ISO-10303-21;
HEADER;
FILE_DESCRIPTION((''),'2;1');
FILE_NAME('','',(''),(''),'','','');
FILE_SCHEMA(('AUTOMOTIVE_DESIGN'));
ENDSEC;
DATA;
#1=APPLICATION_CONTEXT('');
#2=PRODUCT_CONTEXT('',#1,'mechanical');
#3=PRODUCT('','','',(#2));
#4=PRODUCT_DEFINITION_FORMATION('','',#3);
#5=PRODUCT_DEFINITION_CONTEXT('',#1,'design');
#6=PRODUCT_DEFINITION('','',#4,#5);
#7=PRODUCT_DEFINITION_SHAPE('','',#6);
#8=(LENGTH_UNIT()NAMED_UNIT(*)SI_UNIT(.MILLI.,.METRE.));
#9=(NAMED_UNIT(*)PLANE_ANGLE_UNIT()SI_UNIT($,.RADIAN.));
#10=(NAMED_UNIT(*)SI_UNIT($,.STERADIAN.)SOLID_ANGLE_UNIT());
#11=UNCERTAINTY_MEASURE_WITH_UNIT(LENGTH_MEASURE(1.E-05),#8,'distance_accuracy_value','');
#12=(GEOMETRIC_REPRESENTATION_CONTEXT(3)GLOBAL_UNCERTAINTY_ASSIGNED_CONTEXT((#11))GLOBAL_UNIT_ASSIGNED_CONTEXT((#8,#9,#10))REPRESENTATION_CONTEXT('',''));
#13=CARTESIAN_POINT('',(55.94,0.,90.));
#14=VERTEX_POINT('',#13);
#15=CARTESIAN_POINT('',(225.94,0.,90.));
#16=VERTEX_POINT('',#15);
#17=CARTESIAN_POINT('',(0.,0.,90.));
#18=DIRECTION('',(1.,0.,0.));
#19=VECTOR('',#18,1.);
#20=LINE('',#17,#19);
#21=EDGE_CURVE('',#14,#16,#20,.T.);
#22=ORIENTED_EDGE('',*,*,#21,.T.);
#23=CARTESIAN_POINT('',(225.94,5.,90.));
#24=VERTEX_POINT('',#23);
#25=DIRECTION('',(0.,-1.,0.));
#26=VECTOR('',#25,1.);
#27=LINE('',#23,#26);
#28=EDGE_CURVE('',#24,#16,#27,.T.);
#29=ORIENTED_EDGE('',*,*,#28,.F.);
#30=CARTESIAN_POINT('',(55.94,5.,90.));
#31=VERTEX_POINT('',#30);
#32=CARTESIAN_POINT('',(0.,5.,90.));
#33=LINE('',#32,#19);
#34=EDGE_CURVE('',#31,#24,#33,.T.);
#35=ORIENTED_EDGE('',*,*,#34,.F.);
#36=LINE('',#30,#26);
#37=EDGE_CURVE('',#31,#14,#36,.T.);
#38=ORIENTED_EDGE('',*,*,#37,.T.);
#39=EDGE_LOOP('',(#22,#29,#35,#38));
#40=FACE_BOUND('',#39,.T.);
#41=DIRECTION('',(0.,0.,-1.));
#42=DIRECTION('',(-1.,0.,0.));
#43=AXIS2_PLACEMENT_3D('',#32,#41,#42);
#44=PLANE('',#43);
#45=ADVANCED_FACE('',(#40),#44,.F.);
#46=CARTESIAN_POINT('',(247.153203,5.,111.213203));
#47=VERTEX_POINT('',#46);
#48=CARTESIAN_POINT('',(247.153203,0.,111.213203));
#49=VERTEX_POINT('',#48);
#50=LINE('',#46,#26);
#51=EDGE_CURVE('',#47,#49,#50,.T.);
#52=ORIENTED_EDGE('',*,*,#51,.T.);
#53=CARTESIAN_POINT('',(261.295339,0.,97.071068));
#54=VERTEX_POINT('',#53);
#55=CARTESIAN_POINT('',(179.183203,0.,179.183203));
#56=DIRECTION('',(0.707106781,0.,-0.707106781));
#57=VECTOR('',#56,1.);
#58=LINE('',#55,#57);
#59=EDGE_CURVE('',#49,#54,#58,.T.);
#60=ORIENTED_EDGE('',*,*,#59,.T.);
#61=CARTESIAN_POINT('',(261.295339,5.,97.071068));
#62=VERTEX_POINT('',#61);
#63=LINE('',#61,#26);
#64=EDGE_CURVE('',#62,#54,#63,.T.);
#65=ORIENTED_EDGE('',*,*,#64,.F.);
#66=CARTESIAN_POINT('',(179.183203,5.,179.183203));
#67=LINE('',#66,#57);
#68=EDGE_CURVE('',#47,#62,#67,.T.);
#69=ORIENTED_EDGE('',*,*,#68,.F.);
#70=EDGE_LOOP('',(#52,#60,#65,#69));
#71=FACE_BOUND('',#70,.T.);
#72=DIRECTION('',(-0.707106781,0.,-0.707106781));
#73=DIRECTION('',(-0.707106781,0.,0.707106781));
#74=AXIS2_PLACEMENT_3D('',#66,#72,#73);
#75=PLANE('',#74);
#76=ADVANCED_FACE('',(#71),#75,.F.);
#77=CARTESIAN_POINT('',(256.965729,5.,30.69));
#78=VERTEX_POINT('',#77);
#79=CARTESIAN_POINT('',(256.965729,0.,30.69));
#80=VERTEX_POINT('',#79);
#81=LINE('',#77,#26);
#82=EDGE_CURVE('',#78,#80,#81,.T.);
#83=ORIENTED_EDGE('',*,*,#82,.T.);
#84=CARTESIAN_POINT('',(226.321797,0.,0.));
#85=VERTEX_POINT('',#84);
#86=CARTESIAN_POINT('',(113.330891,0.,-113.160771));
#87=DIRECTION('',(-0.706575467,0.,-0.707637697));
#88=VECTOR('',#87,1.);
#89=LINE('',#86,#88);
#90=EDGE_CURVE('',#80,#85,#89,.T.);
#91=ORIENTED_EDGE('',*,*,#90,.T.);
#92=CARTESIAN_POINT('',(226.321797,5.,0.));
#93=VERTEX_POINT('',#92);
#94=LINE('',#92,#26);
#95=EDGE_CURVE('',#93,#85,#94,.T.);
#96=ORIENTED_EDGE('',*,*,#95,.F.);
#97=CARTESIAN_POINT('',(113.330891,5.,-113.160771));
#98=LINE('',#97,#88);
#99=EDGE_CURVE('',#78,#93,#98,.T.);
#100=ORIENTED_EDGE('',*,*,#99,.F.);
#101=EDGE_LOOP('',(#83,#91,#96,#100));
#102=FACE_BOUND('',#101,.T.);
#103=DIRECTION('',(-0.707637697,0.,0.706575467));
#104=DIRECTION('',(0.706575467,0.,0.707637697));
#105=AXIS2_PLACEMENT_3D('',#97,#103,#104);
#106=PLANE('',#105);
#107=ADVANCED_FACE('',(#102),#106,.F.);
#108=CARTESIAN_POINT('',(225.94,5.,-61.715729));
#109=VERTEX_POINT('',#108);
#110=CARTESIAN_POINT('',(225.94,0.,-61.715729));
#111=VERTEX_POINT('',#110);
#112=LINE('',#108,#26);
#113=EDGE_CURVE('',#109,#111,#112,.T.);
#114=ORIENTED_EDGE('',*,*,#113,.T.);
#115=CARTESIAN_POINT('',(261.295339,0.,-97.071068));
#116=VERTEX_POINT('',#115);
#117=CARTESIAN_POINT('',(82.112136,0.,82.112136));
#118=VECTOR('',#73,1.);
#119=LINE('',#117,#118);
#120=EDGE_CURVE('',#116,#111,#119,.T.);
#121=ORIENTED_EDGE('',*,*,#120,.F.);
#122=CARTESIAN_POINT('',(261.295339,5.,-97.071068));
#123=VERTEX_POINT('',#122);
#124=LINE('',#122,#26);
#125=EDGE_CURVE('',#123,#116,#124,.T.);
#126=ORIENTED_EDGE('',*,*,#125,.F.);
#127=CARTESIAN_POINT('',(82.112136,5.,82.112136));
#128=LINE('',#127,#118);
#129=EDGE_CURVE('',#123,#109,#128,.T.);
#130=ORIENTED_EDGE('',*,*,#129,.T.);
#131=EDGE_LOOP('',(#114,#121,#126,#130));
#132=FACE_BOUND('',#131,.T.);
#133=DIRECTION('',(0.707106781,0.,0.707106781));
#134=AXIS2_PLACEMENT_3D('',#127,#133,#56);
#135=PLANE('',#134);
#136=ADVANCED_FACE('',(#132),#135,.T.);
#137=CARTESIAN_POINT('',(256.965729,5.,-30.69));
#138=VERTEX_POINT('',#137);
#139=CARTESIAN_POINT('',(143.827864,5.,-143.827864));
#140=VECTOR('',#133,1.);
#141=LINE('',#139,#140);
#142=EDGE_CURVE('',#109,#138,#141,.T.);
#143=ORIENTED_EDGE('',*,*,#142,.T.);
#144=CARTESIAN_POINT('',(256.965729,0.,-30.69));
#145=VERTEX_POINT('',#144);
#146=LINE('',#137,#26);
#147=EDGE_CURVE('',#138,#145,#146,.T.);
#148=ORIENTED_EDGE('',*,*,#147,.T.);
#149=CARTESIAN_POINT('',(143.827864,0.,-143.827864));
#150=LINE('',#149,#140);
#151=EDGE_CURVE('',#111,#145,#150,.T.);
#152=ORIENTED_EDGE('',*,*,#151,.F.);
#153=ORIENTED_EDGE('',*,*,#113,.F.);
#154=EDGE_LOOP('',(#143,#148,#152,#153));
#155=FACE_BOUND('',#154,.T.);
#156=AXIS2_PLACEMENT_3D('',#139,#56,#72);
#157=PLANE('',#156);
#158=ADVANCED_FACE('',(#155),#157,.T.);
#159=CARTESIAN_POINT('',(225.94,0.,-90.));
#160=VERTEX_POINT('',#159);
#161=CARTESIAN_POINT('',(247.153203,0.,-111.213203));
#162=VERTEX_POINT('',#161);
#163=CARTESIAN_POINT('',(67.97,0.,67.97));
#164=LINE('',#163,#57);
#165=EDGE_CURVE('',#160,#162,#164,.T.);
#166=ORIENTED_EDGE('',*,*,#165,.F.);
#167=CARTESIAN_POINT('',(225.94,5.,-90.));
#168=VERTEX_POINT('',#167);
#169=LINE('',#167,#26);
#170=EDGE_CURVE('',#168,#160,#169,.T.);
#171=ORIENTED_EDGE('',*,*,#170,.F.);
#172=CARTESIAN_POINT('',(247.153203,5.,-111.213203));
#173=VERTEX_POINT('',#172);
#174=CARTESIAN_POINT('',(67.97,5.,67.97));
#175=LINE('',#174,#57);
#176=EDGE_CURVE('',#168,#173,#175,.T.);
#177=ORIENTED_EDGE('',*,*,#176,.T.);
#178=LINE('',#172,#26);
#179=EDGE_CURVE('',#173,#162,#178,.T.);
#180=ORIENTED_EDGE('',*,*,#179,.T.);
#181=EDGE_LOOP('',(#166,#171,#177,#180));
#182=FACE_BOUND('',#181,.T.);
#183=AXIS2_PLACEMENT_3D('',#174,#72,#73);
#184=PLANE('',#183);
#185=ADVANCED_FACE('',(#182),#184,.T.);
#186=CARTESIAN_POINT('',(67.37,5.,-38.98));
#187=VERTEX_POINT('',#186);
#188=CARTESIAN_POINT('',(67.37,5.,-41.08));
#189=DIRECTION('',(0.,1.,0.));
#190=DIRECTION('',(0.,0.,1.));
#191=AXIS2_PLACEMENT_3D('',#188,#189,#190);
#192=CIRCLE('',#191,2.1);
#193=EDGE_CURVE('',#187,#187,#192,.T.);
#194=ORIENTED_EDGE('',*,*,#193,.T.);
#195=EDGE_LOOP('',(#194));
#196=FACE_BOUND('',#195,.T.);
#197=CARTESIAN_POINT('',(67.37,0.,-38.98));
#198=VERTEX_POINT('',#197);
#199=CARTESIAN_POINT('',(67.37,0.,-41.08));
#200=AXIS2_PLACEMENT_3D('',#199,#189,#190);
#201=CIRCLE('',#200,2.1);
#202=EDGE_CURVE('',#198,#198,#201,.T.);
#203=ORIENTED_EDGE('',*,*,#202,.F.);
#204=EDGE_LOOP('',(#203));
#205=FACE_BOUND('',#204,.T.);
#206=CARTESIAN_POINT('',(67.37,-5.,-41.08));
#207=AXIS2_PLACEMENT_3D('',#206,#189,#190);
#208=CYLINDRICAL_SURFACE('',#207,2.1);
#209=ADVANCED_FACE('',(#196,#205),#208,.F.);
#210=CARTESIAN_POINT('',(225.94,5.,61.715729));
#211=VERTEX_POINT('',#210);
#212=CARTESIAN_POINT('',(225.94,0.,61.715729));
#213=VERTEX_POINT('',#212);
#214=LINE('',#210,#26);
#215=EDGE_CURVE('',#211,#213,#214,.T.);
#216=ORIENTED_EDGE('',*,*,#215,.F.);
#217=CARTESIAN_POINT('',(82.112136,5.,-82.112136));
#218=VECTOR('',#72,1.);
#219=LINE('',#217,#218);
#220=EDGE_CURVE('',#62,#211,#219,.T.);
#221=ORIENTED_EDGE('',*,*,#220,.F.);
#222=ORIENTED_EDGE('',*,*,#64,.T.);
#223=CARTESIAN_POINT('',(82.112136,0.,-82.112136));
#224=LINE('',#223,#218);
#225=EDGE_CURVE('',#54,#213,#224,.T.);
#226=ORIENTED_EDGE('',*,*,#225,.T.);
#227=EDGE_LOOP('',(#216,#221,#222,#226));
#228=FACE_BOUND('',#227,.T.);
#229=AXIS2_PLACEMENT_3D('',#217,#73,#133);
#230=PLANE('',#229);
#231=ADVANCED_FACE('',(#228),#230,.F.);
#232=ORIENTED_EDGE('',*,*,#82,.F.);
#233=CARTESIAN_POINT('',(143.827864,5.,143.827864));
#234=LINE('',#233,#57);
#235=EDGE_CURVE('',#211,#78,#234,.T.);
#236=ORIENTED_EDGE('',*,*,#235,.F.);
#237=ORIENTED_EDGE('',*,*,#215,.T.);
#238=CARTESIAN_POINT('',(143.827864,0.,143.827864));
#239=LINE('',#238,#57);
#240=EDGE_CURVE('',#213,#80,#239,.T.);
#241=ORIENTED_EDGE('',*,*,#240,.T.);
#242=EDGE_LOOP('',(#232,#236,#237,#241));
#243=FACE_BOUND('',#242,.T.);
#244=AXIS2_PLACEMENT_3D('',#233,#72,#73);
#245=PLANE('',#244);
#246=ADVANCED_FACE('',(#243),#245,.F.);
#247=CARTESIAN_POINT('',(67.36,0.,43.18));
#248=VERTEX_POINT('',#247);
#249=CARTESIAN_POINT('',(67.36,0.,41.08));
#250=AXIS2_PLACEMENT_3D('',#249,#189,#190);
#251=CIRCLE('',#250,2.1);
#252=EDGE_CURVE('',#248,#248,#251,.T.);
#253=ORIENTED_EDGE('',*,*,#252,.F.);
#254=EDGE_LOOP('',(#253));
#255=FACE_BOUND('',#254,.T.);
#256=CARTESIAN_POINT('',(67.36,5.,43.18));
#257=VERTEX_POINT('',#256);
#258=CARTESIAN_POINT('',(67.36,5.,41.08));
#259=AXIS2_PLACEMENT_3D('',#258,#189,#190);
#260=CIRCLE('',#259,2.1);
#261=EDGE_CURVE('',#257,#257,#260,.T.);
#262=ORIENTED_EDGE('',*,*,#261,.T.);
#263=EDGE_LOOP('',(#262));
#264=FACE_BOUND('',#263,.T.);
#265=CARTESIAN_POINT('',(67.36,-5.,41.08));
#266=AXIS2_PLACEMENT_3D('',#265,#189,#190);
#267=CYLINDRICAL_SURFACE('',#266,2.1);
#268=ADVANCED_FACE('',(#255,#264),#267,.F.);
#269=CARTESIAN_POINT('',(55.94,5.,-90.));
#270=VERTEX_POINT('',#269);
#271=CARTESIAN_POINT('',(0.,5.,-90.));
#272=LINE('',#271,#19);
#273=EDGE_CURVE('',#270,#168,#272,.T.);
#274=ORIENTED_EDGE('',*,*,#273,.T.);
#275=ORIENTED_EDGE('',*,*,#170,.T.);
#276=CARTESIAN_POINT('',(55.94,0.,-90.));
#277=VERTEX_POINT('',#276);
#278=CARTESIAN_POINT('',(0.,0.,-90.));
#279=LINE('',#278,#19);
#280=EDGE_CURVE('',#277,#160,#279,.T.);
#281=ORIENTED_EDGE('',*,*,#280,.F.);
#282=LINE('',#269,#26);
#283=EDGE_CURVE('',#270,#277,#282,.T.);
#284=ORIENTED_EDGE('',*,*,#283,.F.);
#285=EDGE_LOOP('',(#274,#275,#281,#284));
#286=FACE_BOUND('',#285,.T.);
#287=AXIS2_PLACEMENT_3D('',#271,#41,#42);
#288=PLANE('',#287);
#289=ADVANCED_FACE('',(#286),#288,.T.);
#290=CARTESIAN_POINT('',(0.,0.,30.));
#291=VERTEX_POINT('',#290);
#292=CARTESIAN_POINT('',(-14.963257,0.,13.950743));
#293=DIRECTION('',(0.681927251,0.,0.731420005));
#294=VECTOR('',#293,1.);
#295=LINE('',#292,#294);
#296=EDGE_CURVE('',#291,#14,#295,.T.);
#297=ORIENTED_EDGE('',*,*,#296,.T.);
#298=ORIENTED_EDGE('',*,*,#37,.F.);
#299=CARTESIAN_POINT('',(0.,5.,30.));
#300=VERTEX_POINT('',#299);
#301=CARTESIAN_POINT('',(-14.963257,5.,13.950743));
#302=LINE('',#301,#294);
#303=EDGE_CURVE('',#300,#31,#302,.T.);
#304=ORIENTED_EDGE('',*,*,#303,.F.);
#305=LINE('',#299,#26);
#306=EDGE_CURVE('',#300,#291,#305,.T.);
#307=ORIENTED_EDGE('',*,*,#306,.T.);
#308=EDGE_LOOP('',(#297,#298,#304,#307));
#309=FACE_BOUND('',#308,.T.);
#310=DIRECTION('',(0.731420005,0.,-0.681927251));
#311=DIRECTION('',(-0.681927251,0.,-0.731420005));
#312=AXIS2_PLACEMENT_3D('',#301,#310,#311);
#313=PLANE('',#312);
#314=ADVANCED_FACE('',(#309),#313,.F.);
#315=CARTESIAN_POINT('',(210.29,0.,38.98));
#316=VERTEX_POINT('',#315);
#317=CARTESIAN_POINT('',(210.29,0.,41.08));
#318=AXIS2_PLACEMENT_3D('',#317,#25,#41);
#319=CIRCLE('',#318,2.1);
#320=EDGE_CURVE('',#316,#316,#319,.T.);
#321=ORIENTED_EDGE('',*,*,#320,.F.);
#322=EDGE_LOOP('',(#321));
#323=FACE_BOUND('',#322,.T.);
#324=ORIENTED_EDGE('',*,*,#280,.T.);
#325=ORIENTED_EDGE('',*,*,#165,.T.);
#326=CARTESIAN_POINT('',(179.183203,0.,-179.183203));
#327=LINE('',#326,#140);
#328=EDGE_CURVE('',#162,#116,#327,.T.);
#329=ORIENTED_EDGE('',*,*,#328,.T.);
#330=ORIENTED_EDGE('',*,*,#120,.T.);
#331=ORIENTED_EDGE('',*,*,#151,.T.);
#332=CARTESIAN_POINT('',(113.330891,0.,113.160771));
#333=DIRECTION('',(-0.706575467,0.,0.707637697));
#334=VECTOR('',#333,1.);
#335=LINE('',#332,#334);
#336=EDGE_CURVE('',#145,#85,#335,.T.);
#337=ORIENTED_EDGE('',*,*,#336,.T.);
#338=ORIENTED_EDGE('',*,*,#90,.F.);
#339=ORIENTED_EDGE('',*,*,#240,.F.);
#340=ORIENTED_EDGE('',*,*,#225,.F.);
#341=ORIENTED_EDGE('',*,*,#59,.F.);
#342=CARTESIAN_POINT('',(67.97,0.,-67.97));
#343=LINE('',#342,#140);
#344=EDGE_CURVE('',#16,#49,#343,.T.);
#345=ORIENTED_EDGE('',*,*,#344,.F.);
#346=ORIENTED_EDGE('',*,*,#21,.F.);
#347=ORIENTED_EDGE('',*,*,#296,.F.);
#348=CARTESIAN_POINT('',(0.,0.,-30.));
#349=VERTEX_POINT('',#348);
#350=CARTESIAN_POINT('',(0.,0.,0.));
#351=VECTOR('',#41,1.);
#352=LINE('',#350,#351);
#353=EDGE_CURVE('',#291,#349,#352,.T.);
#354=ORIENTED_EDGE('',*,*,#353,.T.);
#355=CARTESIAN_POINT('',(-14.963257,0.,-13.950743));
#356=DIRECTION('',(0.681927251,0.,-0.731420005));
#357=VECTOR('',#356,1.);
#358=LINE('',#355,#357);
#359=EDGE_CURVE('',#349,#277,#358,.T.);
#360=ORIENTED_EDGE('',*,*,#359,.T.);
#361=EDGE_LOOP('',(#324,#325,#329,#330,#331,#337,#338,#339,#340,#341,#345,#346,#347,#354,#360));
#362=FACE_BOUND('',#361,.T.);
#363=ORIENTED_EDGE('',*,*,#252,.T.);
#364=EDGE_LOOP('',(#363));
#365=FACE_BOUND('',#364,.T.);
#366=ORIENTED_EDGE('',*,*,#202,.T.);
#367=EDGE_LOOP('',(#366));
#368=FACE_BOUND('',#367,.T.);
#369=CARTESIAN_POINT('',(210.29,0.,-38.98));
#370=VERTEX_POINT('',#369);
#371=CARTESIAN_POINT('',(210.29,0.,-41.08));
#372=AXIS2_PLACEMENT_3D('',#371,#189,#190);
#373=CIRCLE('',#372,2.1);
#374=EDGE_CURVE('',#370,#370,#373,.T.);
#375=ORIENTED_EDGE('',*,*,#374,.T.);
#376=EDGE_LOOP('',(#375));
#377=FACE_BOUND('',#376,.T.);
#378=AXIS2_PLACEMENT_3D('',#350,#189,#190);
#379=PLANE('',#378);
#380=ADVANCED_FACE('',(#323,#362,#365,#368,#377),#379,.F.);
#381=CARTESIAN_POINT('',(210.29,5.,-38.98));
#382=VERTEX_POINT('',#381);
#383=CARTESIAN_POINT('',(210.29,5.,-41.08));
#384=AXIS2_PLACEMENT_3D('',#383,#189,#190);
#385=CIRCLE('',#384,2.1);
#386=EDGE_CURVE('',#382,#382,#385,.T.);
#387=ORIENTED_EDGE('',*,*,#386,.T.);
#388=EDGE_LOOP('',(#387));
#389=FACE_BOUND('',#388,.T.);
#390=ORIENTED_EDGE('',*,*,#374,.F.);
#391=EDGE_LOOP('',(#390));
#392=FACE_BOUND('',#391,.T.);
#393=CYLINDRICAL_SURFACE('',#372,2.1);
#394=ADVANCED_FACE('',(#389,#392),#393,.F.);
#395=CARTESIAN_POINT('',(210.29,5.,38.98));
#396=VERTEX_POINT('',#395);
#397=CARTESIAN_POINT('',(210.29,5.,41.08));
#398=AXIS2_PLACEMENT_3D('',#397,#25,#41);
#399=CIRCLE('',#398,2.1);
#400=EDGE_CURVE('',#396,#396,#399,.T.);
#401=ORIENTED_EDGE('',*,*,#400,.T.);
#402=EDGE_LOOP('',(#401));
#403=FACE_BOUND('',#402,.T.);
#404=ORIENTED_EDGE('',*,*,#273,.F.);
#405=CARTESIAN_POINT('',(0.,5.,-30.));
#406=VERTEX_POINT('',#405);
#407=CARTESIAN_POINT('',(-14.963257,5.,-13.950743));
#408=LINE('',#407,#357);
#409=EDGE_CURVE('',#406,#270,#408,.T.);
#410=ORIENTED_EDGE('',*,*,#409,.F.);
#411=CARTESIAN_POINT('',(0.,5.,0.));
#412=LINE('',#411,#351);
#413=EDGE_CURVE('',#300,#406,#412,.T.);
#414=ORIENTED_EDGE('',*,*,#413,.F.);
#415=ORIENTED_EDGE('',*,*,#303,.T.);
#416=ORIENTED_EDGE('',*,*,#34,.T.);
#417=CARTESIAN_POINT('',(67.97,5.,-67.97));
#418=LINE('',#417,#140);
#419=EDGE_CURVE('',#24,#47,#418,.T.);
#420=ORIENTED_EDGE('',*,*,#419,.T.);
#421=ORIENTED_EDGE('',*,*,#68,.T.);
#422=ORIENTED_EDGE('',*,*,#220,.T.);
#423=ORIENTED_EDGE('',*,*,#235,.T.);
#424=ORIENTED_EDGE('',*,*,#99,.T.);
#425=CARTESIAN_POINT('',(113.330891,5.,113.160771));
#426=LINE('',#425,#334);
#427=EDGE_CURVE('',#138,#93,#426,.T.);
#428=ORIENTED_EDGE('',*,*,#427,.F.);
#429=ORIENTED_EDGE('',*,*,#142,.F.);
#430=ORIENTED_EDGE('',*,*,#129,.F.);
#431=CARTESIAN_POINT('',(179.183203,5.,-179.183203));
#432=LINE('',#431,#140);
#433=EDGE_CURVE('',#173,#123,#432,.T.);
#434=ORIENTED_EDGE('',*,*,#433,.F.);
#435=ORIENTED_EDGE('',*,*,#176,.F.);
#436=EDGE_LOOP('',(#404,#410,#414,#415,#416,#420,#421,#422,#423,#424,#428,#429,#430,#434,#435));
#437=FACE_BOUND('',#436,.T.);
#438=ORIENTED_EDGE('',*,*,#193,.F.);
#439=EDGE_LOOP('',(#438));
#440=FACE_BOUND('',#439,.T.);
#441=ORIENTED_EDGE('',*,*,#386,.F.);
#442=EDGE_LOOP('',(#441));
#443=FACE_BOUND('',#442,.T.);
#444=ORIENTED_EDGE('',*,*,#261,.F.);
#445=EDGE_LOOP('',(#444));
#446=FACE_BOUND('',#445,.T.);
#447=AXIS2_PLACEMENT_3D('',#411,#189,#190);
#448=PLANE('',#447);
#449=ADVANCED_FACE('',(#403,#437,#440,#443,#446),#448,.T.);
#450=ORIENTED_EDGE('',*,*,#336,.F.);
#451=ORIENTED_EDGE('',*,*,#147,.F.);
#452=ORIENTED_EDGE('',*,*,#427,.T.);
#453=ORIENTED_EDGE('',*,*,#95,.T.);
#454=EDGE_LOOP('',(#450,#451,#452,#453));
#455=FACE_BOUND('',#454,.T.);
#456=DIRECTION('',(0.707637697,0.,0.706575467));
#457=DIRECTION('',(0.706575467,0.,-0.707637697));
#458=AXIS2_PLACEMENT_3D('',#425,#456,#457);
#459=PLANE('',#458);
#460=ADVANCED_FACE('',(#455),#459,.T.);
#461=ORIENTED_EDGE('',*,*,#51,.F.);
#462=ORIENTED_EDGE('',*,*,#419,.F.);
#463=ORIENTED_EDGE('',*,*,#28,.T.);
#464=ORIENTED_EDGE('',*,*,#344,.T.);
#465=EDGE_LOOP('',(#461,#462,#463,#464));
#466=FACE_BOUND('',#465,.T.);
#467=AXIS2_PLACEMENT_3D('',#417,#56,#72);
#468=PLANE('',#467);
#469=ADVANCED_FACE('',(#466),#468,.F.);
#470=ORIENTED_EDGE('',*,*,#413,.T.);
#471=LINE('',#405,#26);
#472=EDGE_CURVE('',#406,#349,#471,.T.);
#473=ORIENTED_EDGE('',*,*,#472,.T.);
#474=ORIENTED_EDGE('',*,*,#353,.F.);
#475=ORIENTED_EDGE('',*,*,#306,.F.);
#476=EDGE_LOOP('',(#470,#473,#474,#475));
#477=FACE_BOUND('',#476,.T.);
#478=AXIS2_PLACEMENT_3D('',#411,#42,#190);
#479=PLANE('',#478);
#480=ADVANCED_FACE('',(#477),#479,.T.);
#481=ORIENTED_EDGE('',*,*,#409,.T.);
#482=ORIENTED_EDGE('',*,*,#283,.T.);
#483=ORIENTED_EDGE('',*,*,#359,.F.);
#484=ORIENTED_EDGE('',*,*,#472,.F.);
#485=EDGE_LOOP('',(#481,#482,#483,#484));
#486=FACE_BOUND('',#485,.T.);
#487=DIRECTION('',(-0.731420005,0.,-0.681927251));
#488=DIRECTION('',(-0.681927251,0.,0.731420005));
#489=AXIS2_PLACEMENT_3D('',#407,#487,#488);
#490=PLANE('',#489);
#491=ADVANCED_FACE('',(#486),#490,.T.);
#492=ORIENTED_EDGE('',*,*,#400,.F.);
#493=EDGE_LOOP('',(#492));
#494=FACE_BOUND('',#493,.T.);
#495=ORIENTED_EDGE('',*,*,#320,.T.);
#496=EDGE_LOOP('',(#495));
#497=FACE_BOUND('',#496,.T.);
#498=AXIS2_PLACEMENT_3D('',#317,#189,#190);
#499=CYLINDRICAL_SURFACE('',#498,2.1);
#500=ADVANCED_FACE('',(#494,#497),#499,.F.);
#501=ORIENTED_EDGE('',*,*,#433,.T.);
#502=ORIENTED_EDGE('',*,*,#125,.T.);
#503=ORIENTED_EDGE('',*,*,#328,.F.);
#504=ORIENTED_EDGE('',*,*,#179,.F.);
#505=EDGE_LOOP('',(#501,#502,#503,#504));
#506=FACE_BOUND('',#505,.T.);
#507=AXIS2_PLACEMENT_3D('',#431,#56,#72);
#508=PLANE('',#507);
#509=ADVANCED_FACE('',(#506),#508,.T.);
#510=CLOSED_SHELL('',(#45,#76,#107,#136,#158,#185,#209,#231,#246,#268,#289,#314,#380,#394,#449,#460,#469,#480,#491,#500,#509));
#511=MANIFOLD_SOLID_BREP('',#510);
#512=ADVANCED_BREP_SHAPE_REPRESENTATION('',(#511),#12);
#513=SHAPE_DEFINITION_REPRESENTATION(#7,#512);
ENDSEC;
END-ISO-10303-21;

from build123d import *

# Parameters (mm, degrees)
BOSS_EXTRUDE1_DEPTH = 5
SKETCH2_R           = 2.1
CUT_EXTRUDE1_DEPTH  = 5
SKETCH5_R           = 2.1
CUT_EXTRUDE4_DEPTH  = 10


with BuildPart() as part:
    # Sketch1 → Boss-Extrude1 (new body)
    with BuildSketch(Plane(origin=(0, 0, 0), x_dir=(1, 0, 0), z_dir=(0, 1, 0))):
        Polygon((0, 30), (0, -30), (55.94, -90), (225.94, -90), (247.153203436, -111.213203436), (261.295339059, -97.071067812), (225.94, -61.715728753), (256.965728753, -30.69), (226.32179728, 0), (256.965728753, 30.69), (225.94, 61.715728753), (261.295339059, 97.071067812), (247.153203436, 111.213203436), (225.94, 90), (55.94, 90), align=None)
    extrude(amount=BOSS_EXTRUDE1_DEPTH)

    # Sketch2 → Cut-Extrude1 (cut)
    with BuildSketch(Plane(origin=(0, 5, 0), x_dir=(1, 0, 0), z_dir=(0, 1, 0))):
        with Locations(Location((210.29, 41.08, 0), (0, 0, 270))):
            Circle(SKETCH2_R)
        with Locations(Location((210.29, -41.08, 0), (0, 0, 90))):
            Circle(SKETCH2_R)
    extrude(amount=-CUT_EXTRUDE1_DEPTH, mode=Mode.SUBTRACT)

    # Sketch5 → Cut-Extrude4 (cut)
    with BuildSketch(Plane(origin=(0, 5, 0), x_dir=(1, 0, 0), z_dir=(0, 1, 0))):
        with Locations(Location((67.37, 41.08, 0), (0, 0, 270))):
            Circle(SKETCH5_R)
        with Locations(Location((67.36, -41.08, 0), (0, 0, 270))):
            Circle(SKETCH5_R)
    extrude(amount=-CUT_EXTRUDE4_DEPTH, mode=Mode.SUBTRACT)


solid = part.part
